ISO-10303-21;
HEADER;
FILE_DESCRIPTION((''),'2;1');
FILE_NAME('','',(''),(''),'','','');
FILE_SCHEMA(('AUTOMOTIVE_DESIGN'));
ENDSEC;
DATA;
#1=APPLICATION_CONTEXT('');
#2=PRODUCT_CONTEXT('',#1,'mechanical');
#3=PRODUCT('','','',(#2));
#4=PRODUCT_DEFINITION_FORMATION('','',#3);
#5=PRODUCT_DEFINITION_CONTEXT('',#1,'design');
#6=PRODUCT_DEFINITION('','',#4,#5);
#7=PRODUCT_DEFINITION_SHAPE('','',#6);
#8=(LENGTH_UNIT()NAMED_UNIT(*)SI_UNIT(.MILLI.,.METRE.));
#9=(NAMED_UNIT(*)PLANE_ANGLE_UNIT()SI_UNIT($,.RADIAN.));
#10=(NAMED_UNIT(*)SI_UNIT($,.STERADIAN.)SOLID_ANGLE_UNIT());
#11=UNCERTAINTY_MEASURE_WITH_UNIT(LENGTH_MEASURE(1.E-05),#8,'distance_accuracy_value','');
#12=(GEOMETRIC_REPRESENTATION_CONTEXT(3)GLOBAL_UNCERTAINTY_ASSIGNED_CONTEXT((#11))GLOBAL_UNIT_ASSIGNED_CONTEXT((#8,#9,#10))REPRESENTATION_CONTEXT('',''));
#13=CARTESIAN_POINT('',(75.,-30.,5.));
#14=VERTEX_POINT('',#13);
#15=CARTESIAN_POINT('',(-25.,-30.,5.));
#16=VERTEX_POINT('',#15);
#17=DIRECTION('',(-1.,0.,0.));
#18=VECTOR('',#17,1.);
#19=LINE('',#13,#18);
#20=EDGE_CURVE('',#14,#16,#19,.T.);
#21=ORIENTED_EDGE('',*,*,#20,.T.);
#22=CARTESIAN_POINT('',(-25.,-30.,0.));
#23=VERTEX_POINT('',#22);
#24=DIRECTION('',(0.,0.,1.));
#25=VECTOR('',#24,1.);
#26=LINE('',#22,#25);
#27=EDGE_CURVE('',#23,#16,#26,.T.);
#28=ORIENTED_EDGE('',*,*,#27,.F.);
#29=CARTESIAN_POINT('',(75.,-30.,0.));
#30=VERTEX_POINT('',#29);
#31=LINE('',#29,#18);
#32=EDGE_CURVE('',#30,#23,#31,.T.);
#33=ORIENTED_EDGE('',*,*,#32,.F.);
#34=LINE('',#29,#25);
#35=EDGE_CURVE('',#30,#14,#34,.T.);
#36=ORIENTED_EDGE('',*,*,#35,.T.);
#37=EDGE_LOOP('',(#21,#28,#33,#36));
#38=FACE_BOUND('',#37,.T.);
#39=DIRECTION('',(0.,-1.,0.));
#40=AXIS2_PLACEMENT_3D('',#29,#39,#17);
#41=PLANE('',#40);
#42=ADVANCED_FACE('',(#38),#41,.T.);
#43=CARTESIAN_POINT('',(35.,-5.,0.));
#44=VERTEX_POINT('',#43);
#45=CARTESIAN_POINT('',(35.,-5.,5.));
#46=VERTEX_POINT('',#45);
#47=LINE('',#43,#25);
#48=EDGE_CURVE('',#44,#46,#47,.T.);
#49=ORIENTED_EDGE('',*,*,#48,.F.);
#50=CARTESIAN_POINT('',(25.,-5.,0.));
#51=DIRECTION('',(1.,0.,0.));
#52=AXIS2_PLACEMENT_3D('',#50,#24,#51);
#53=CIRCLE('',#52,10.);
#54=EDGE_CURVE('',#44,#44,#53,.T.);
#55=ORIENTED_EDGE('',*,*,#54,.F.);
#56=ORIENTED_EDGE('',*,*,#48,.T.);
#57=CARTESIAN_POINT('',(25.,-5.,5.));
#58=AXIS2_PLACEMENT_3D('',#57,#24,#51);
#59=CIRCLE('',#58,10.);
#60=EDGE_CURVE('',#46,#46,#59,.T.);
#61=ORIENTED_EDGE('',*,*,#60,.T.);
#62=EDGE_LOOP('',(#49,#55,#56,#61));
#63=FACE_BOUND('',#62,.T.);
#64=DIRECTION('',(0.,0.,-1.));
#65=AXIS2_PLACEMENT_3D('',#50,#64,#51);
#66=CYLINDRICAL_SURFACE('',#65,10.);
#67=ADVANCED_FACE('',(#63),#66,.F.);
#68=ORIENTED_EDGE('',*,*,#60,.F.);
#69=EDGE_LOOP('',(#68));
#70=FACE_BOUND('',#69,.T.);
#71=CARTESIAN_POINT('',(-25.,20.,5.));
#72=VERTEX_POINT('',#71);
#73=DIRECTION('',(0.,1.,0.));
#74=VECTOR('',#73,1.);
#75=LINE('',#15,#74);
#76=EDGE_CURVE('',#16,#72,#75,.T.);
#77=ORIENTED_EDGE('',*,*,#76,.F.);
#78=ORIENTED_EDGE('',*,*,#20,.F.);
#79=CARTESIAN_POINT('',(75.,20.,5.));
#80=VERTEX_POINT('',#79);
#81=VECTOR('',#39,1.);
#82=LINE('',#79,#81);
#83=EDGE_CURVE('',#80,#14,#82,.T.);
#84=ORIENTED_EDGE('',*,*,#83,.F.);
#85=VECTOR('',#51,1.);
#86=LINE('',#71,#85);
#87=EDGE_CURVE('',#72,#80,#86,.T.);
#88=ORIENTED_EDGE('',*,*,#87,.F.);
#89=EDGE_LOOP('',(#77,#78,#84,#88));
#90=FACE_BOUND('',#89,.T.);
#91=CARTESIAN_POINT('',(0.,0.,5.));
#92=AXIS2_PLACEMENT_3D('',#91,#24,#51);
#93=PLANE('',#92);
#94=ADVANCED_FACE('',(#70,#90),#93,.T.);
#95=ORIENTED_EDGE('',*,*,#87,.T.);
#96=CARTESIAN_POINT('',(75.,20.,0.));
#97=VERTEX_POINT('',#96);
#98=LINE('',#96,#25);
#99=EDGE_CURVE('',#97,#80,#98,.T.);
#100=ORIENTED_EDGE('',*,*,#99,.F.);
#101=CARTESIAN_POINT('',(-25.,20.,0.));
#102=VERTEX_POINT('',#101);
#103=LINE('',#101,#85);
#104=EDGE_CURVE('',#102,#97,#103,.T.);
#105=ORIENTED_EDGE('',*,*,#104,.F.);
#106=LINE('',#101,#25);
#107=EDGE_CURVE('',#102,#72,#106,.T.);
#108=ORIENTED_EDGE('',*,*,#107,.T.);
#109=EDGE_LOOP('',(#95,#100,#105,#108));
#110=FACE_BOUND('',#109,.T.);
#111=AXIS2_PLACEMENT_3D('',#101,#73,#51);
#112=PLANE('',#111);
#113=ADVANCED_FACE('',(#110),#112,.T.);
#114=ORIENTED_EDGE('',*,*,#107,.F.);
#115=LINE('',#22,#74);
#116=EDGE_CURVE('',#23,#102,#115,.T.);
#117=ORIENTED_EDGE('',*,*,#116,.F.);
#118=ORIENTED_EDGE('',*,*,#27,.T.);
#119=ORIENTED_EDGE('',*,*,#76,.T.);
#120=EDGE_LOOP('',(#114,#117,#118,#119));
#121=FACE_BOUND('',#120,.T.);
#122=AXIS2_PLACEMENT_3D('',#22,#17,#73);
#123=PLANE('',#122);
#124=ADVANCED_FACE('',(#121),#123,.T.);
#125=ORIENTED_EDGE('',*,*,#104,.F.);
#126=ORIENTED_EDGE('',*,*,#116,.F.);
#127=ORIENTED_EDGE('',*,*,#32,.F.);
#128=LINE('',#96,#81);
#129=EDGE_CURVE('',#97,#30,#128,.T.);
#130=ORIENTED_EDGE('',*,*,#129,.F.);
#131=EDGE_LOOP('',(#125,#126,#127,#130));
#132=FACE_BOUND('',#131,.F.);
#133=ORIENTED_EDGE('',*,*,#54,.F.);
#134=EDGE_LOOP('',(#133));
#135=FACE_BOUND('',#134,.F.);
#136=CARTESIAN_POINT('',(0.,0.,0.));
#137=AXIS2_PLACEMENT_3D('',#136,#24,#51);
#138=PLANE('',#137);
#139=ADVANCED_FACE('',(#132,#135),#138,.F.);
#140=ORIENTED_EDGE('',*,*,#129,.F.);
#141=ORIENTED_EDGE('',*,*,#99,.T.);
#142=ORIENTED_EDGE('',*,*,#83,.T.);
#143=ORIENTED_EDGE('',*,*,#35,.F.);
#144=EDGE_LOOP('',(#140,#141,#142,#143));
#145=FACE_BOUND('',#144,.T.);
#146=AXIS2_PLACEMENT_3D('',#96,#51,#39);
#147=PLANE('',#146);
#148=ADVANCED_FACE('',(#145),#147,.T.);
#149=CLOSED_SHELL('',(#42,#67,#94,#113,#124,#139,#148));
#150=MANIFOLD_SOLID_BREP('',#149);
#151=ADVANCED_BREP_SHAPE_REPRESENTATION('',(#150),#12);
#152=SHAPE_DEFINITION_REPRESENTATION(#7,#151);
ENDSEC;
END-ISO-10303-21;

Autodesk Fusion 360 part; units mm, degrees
sketch "Sketch1" plane through (0, 0, 0) normal (0, 0, 1) x (1, 0, 0)
  line L0 (-25, 20) -> (75, 20)
  line L1 (75, 20) -> (75, -30)
  line L2 (75, -30) -> (-25, -30)
  line L3 (-25, -30) -> (-25, 20)
  line L4 (-25, 20) -> (75, -30) construction
  line L5 (75, 20) -> (-25, -30) construction
  circle A0 centre (25, -5) radius 10
  dimension "d1" = 100
  dimension "d2" = 50
  dimension "d3" = 20
extrude "Extrude1" add sketch "Sketch1" along normal blind 5
